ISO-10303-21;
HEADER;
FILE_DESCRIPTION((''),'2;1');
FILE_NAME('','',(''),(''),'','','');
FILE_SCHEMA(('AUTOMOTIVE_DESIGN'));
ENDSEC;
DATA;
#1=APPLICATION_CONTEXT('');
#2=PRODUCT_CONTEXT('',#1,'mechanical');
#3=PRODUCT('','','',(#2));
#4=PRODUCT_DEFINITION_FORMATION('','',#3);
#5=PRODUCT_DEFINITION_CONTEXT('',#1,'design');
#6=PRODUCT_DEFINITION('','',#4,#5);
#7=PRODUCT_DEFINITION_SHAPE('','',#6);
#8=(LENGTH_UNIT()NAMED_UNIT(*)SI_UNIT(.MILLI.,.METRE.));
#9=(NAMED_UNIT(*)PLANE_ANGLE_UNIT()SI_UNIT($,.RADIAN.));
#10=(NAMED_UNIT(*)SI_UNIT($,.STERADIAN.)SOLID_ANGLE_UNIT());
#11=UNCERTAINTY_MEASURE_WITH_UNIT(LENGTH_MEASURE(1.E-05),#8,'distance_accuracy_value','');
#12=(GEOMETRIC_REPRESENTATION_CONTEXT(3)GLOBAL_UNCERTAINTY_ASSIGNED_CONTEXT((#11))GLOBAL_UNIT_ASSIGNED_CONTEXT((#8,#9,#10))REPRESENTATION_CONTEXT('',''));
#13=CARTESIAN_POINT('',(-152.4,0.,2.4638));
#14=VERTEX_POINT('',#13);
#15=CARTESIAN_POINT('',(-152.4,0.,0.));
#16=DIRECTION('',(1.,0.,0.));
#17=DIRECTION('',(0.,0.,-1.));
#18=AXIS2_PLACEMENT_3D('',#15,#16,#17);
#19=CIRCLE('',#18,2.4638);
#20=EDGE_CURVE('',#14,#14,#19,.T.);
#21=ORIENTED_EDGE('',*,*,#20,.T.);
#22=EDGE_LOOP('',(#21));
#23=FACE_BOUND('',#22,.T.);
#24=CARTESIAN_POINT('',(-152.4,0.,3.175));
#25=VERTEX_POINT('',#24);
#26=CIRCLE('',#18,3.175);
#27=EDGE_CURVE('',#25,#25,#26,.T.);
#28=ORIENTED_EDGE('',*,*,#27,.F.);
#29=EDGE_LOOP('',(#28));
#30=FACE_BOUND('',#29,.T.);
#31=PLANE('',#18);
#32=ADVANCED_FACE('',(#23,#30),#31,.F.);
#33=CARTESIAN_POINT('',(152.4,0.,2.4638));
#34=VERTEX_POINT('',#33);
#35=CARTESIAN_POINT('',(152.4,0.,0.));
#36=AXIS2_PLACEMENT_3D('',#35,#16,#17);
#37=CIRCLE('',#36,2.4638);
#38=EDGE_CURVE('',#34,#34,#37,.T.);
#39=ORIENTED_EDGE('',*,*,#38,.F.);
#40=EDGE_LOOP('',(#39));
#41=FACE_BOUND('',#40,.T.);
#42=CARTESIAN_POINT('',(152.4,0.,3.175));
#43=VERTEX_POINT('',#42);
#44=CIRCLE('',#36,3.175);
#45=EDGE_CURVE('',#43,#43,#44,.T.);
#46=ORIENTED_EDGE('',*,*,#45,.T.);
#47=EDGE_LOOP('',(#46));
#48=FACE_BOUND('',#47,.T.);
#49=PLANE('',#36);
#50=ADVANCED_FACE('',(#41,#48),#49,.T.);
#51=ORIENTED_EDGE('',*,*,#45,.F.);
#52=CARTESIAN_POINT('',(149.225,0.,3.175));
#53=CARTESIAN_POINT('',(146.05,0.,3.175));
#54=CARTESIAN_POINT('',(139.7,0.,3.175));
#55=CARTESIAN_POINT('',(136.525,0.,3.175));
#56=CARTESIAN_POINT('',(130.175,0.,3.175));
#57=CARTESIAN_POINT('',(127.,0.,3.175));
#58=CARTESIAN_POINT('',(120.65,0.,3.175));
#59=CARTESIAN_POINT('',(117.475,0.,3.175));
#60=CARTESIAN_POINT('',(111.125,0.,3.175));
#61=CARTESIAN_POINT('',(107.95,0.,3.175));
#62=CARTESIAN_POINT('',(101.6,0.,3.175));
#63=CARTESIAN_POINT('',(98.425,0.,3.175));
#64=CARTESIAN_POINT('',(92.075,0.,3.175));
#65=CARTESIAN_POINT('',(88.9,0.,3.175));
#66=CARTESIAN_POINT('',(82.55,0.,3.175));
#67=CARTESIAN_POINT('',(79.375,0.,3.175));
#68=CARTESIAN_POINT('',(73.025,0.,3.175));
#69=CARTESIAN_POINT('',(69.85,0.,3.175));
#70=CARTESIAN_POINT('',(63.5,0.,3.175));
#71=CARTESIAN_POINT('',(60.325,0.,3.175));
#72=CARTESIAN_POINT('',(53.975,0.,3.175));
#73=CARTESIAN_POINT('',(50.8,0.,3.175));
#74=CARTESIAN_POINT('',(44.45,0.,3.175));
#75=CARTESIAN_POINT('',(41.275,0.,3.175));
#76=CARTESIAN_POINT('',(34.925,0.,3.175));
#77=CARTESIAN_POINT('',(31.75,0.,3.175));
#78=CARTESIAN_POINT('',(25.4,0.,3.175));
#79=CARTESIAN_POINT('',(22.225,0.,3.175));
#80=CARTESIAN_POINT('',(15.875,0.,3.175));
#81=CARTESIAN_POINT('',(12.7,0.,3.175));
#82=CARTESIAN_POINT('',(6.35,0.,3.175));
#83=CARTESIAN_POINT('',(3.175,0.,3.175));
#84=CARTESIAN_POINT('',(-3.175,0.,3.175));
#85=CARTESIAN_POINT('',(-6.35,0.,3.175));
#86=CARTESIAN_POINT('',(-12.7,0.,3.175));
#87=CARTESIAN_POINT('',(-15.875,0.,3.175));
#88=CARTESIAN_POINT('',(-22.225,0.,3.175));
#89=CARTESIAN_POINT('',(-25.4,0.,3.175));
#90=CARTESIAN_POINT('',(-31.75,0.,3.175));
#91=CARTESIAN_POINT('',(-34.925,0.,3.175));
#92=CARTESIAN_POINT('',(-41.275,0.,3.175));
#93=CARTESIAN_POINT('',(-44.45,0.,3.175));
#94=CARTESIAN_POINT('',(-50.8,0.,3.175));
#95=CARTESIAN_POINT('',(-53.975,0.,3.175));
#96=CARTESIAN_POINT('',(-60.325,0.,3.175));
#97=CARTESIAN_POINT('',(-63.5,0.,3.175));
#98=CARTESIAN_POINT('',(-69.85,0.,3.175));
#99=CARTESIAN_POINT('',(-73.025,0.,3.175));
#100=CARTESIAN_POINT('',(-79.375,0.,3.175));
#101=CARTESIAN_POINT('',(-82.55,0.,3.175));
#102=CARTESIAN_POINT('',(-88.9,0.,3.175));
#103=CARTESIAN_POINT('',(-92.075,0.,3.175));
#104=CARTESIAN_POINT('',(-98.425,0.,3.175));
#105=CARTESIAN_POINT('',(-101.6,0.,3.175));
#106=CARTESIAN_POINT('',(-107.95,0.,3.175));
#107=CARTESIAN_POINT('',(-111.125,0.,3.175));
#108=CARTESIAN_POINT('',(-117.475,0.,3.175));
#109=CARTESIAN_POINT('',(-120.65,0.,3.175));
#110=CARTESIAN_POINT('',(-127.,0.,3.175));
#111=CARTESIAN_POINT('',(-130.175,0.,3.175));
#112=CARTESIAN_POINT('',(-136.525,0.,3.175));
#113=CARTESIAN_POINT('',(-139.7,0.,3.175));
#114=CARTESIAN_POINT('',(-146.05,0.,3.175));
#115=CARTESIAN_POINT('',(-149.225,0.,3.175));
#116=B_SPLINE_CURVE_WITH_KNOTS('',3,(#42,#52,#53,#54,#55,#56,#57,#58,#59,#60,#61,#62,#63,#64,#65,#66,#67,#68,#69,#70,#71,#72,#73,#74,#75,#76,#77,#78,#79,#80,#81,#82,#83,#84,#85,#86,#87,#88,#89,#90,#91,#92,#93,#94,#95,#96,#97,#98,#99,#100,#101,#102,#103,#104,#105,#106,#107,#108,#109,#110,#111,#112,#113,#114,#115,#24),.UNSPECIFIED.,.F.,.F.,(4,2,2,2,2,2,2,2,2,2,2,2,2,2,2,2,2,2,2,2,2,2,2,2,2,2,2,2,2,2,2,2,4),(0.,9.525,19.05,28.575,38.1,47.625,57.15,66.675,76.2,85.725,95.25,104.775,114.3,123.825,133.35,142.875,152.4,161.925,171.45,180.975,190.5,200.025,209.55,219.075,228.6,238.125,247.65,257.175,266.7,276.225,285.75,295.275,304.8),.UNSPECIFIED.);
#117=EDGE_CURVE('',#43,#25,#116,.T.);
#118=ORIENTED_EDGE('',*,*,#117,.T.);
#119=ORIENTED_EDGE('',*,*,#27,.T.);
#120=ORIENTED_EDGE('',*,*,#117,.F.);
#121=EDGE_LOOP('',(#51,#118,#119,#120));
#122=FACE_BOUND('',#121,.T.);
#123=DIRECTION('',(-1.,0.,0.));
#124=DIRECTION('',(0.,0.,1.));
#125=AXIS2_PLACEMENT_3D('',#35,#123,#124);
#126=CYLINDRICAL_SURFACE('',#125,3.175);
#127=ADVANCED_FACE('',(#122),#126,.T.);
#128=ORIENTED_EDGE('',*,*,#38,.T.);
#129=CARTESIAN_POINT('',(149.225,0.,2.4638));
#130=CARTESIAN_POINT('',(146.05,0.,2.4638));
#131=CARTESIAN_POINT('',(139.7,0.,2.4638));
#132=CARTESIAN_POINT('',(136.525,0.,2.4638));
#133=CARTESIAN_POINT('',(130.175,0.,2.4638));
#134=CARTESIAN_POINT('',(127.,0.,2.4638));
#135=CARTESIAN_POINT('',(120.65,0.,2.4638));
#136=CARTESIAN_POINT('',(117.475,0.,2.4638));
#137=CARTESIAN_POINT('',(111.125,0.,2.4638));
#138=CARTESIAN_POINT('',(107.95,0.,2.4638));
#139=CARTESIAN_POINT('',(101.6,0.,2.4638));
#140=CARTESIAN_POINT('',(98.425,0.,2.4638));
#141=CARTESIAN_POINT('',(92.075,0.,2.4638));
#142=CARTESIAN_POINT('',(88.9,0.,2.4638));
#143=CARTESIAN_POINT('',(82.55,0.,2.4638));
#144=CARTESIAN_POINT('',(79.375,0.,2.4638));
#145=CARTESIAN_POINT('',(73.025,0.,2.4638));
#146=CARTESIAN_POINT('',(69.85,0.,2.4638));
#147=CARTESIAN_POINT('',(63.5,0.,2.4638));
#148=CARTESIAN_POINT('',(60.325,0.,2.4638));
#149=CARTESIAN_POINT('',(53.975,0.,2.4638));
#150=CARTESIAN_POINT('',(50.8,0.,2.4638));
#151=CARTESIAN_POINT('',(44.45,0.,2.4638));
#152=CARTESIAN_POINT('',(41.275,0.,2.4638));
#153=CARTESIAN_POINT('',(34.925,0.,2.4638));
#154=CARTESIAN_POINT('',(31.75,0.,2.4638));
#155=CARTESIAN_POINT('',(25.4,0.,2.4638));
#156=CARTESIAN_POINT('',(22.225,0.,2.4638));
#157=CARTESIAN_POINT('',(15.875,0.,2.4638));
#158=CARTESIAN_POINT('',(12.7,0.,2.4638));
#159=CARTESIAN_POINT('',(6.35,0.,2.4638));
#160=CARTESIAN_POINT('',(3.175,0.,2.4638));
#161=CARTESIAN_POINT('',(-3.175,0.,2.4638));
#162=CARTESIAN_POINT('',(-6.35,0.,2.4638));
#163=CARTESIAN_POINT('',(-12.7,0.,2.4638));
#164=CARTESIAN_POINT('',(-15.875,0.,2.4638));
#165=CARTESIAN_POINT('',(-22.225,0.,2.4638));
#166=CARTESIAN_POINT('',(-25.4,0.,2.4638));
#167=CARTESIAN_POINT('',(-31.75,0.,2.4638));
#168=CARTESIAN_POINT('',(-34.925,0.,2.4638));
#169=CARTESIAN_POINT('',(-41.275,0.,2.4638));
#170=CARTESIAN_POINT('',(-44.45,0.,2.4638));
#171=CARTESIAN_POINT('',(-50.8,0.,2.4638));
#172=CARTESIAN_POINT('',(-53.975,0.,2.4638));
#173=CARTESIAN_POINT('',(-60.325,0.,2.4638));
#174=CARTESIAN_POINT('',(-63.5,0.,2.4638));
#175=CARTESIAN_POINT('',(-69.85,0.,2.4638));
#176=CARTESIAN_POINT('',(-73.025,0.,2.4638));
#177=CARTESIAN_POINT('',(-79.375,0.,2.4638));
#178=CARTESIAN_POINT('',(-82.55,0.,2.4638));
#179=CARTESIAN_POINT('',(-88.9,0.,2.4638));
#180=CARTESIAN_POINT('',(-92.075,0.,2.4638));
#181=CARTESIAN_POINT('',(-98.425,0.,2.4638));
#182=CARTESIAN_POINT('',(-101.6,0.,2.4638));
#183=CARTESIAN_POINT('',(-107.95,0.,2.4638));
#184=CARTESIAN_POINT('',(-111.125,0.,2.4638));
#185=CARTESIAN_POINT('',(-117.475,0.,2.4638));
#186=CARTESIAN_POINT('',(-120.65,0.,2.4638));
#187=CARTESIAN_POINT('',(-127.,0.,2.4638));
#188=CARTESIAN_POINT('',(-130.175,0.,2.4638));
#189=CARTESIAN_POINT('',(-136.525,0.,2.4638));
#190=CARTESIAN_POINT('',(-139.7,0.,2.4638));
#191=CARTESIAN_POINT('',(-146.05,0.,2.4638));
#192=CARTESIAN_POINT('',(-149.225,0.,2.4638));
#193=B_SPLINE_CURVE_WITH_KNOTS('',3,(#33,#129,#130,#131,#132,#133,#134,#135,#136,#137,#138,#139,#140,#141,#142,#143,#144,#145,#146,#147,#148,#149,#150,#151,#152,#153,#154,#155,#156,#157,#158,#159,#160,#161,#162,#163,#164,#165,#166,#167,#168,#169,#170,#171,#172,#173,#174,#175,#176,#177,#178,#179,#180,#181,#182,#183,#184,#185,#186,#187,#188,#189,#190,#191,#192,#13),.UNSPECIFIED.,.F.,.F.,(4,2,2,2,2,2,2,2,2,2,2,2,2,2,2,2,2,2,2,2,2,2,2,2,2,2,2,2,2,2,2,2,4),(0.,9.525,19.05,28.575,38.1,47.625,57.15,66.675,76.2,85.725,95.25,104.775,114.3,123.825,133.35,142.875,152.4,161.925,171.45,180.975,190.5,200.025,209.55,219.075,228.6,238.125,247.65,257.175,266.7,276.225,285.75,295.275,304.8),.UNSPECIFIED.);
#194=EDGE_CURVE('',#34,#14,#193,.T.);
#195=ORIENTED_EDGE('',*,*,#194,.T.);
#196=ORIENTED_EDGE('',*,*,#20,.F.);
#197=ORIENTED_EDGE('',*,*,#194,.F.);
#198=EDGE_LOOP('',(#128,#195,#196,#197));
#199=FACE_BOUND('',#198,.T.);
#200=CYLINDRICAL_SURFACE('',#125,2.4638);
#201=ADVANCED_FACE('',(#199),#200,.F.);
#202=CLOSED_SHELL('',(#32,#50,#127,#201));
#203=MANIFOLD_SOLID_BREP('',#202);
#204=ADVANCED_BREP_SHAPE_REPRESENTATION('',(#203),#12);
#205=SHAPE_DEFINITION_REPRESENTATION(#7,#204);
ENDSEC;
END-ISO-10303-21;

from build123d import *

# Parameters (mm, degrees)
SKETCH1_R      = 3.175
SKETCH1_R_2    = 2.4638
EXTRUDE1_DEPTH = 152.4


with BuildPart() as part:
    # Sketch1 → Extrude1 (new, symmetric)
    with BuildSketch(Plane(origin=(0, 0, 0), x_dir=(0, 0, -1), z_dir=(1, 0, 0))):
        with Locations(Location((0, 0, 0), (0, 0, 180))):
            Circle(SKETCH1_R)
        with Locations(Location((0, 0, 0), (0, 0, 180))):
            Circle(SKETCH1_R_2, mode=Mode.SUBTRACT)
    extrude(amount=EXTRUDE1_DEPTH, both=True)


solid = part.part
